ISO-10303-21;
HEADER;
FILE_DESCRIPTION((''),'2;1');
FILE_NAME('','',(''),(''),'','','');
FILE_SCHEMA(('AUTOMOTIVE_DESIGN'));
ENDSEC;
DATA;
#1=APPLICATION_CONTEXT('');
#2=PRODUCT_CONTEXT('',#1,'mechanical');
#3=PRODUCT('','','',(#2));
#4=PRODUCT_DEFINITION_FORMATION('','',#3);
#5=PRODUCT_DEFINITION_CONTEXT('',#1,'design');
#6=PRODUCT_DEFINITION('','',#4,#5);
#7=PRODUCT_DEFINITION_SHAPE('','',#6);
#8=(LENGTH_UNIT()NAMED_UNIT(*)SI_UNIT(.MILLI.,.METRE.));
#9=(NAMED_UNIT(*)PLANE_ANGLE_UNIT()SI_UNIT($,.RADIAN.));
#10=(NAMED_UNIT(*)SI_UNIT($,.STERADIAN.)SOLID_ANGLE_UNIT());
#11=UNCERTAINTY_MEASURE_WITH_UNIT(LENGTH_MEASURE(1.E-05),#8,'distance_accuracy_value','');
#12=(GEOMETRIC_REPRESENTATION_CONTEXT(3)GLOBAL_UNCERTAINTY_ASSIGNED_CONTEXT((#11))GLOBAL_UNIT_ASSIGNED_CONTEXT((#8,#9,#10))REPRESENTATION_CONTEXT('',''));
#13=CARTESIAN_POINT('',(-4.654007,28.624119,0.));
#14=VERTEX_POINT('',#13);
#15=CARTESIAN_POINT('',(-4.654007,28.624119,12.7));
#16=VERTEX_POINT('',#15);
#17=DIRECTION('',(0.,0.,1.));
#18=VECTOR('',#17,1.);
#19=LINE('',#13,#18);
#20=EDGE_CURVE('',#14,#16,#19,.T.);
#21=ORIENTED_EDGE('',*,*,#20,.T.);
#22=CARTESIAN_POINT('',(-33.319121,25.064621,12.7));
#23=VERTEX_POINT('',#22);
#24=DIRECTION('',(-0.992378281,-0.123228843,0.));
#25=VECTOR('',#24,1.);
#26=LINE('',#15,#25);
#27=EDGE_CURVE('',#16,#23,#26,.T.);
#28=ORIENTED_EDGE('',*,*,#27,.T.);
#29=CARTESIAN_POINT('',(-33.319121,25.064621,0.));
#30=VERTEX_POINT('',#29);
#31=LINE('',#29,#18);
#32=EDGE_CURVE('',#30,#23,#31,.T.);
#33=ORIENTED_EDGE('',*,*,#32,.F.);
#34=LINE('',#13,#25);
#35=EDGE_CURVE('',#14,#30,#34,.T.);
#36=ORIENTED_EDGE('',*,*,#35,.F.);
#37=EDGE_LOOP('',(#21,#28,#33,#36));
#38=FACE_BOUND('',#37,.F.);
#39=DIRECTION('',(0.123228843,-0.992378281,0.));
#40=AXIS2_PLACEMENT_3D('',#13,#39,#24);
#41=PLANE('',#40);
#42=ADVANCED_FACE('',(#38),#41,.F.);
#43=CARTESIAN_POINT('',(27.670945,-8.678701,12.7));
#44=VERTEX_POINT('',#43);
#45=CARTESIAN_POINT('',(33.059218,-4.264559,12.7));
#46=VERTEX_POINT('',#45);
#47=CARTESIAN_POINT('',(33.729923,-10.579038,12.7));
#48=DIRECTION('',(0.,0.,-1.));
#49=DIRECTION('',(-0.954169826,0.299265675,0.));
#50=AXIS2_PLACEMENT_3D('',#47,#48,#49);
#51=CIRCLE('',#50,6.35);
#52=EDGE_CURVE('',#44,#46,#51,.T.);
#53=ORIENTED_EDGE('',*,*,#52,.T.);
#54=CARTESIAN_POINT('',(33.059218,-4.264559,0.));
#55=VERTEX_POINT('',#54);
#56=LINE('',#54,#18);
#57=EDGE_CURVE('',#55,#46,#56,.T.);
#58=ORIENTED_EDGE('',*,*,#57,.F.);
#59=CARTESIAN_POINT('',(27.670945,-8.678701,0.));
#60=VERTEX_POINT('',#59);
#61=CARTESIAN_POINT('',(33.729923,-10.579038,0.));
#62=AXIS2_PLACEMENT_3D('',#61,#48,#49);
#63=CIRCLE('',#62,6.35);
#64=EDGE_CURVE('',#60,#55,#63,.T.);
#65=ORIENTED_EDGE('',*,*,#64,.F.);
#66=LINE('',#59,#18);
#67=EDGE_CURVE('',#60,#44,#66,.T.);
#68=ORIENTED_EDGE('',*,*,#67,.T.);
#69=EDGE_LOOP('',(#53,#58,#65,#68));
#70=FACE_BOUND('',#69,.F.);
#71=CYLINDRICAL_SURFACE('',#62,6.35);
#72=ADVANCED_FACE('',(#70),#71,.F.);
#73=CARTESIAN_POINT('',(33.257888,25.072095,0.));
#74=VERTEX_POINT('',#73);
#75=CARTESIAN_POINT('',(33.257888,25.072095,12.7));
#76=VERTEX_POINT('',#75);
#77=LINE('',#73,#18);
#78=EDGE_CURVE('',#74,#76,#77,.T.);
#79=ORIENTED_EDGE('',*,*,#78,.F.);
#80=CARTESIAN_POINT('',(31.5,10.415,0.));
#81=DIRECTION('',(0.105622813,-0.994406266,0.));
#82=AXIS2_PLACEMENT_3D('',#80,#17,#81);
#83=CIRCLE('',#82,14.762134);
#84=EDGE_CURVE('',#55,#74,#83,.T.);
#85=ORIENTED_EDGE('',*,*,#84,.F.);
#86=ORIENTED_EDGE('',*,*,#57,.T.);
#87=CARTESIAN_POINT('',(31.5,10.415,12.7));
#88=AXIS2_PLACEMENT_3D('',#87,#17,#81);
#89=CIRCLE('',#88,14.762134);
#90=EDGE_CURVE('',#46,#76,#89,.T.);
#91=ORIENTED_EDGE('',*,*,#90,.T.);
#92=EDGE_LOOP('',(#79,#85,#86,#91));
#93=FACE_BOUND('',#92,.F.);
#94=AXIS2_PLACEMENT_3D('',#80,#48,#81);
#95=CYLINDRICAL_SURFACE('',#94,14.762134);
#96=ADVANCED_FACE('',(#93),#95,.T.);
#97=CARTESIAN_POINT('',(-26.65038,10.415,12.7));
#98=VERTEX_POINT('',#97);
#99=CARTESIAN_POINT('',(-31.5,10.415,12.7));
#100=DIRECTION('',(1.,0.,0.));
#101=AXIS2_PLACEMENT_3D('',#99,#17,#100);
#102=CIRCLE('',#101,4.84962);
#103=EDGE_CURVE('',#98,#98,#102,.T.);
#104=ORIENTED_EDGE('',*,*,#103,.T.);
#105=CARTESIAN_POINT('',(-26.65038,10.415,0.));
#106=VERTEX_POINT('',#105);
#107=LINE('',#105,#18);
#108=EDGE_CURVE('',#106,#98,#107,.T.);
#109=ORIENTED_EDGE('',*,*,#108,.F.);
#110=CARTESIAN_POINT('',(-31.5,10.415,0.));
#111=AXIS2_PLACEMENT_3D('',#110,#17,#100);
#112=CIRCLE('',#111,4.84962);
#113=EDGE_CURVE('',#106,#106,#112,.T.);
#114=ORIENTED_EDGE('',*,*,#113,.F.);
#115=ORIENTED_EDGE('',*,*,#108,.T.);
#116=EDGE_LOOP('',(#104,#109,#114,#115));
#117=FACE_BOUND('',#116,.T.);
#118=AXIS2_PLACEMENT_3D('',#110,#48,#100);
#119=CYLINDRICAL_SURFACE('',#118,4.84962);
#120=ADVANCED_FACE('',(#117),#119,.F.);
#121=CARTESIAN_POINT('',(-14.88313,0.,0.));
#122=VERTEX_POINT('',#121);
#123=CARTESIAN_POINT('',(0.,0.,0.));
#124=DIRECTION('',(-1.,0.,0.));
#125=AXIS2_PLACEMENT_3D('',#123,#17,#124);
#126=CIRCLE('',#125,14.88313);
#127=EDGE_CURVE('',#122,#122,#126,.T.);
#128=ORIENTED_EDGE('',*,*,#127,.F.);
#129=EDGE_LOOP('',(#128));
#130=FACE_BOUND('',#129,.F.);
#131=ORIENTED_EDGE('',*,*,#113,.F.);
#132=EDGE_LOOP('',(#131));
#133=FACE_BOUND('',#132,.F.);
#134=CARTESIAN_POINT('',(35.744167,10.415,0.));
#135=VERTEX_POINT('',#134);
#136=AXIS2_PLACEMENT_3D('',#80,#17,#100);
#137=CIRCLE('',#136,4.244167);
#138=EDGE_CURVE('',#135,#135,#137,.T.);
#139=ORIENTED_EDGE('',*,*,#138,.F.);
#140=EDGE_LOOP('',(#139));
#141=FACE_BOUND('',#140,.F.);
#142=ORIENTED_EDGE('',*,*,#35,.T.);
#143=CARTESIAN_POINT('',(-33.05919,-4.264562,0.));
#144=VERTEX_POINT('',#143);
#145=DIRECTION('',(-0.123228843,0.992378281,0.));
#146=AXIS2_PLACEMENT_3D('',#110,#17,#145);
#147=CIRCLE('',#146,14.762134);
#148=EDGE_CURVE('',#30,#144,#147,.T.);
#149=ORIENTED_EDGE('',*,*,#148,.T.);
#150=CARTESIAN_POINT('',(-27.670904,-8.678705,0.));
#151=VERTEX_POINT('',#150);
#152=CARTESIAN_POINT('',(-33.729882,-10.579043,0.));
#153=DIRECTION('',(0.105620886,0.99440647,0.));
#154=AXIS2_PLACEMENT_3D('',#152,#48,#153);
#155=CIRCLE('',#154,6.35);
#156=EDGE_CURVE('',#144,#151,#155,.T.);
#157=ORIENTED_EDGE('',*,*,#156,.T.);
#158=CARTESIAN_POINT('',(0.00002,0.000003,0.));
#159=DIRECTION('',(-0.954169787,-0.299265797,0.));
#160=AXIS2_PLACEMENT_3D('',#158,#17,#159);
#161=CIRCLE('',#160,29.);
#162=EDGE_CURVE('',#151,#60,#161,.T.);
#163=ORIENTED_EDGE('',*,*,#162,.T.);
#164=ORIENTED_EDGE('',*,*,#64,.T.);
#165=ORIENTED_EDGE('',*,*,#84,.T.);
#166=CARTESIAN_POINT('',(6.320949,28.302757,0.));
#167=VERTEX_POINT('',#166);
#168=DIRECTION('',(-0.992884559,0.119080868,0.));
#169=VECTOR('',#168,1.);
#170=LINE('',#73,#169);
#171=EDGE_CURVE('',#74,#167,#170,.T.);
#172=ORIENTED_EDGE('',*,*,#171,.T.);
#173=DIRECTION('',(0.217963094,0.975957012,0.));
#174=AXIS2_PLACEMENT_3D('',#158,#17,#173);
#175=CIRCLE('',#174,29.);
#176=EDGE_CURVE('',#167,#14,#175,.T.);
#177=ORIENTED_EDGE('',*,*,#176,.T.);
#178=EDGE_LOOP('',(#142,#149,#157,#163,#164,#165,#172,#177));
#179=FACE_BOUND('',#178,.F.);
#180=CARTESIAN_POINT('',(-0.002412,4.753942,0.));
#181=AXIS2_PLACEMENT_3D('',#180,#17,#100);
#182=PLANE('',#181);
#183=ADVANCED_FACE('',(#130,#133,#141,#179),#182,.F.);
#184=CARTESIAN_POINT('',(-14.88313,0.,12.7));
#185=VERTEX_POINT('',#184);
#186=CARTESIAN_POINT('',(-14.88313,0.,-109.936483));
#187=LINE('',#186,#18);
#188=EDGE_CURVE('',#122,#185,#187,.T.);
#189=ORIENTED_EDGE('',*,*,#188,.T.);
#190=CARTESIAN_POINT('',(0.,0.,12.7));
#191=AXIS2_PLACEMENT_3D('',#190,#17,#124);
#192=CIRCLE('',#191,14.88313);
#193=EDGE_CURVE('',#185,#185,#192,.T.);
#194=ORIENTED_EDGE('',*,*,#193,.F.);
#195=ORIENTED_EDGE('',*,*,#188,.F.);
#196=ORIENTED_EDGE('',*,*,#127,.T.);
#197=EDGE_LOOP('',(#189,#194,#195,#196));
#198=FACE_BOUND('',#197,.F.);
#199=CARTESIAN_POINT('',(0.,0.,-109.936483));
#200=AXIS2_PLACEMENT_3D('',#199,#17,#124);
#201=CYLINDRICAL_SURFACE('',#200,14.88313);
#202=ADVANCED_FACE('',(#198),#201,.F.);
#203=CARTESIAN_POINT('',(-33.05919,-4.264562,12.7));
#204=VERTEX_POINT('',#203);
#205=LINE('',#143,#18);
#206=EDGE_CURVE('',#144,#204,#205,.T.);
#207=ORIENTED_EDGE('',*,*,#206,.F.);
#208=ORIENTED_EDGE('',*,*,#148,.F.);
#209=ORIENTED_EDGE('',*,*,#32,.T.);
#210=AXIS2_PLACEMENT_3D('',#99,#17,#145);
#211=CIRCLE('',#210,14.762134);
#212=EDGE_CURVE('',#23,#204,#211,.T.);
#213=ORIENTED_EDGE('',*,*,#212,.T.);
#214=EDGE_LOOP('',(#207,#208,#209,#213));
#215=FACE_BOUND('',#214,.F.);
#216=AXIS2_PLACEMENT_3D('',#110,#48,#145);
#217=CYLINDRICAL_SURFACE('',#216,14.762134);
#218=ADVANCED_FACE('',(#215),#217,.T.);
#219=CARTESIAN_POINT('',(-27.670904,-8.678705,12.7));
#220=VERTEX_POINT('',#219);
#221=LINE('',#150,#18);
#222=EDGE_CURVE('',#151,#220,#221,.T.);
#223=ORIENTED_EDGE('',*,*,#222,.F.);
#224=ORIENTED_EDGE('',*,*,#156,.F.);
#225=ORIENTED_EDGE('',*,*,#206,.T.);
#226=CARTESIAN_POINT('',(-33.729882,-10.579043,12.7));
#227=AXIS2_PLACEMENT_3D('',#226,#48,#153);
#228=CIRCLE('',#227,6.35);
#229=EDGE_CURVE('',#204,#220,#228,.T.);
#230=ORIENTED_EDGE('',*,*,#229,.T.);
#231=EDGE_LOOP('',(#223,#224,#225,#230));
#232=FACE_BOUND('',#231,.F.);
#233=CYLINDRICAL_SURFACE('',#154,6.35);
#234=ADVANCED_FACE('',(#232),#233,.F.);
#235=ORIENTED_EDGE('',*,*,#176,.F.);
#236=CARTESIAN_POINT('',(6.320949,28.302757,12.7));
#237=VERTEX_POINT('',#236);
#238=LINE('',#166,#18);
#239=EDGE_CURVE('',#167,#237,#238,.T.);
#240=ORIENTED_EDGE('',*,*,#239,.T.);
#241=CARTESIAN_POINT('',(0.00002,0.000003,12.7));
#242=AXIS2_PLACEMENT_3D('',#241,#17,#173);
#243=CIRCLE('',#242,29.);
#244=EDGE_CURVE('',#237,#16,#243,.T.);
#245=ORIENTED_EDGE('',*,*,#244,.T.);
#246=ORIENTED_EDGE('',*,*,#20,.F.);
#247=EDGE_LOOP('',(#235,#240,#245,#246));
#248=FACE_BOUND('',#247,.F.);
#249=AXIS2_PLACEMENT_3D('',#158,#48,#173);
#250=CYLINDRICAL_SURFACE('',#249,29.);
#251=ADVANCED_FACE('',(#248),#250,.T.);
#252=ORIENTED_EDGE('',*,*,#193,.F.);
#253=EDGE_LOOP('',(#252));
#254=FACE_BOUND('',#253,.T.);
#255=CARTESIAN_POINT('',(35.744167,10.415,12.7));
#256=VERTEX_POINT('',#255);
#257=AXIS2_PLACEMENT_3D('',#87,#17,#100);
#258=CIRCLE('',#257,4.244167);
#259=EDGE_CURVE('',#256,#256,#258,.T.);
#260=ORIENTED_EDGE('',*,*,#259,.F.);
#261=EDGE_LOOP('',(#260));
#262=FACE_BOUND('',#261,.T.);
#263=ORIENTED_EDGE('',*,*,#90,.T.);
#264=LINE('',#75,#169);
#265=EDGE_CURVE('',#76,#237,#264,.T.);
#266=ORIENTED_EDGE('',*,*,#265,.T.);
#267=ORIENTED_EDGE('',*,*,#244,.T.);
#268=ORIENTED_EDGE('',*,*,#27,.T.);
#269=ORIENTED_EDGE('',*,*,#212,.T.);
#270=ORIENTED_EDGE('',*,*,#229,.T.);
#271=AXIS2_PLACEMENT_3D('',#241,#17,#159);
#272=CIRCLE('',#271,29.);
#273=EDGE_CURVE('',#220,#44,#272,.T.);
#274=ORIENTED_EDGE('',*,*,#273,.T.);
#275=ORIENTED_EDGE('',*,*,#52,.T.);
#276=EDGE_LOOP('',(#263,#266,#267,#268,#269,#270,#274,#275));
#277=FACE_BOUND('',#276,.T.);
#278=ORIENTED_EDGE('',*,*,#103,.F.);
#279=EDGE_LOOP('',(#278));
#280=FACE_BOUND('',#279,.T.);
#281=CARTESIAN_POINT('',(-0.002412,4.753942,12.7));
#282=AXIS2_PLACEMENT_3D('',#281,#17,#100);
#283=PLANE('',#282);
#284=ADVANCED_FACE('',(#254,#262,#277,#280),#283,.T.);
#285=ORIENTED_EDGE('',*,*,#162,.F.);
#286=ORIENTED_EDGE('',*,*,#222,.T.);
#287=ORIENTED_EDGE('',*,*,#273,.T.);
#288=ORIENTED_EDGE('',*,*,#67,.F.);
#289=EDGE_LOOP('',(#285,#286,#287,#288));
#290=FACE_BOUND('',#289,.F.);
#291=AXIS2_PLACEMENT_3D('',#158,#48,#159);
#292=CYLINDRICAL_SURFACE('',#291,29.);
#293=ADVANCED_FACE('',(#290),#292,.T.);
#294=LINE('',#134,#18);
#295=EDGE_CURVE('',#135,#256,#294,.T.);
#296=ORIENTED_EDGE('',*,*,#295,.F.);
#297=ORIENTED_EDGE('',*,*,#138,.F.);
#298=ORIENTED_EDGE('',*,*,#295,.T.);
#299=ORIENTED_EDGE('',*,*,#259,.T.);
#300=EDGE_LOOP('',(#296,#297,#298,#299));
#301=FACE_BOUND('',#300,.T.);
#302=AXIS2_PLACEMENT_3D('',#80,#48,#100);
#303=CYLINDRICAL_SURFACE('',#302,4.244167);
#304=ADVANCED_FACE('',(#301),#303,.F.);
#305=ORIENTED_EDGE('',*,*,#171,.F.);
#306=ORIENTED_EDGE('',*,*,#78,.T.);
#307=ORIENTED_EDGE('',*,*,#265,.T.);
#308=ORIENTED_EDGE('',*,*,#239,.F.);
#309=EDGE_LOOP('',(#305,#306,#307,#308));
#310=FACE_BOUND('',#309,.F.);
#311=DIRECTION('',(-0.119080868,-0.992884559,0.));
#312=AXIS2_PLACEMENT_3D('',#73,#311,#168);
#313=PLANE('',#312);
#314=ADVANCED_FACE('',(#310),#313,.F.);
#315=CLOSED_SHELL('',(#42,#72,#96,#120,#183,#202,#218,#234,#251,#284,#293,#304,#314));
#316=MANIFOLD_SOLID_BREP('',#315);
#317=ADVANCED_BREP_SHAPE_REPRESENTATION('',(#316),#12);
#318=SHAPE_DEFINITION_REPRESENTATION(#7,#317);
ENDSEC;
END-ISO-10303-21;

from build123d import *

# Parameters (mm, degrees)
F0_R     = 18.415
F0_R_2   = 4.8496195397
F0_R_3   = 4.2441666503
F1_DEPTH = 12.7
F3_D     = 29.76626


with BuildPart() as f1:
    # F0 (on Top) → F1 (new body)
    with BuildSketch(Plane.XY):
        with BuildLine():
            Line((-4.6540073091, 28.6241194793), (-33.3191207001, 25.0646212284))
            ThreePointArc((-33.3191207001, 25.0646212284), (-46.2615543598, 10.2841751545), (-33.0591896845, -4.2645616346))
            ThreePointArc((-33.0591896845, -4.2645616346), (-29.7057945392, -5.6668927249), (-27.670904164, -8.6787049116))
            ThreePointArc((-27.670904164, -8.6787049116), (2.1523e-05, -28.9999968026), (27.6709446063, -8.6787013664))
            ThreePointArc((27.6709446063, -8.6787013664), (29.7058301505, -5.6668925604), (33.0592181331, -4.2645586129))
            ThreePointArc((33.0592181331, -4.2645586129), (46.2617955785, 10.3150322214), (33.2578877376, 25.07209497))
            Line((33.2578877376, 25.07209497), (6.3209493924, 28.3027565508))
            ThreePointArc((6.3209493924, 28.3027565508), (0.8488186578, 28.9875788164), (-4.6540073091, 28.6241194793))
        make_face()
        Circle(F0_R, mode=Mode.SUBTRACT)
        with Locations((-31.5, 10.415)):
            Circle(F0_R_2, mode=Mode.SUBTRACT)
        with Locations((31.5, 10.415)):
            Circle(F0_R_3, mode=Mode.SUBTRACT)
        Circle(F0_R)
    extrude(amount=F1_DEPTH)

    # F3 (through all)
    with Locations(Plane(origin=(0, 0, 0), x_dir=(1, 0, 0), z_dir=(0, 0, -1))):
        with Locations((0, 0)):
            Hole(F3_D / 2)


solid = f1.part
